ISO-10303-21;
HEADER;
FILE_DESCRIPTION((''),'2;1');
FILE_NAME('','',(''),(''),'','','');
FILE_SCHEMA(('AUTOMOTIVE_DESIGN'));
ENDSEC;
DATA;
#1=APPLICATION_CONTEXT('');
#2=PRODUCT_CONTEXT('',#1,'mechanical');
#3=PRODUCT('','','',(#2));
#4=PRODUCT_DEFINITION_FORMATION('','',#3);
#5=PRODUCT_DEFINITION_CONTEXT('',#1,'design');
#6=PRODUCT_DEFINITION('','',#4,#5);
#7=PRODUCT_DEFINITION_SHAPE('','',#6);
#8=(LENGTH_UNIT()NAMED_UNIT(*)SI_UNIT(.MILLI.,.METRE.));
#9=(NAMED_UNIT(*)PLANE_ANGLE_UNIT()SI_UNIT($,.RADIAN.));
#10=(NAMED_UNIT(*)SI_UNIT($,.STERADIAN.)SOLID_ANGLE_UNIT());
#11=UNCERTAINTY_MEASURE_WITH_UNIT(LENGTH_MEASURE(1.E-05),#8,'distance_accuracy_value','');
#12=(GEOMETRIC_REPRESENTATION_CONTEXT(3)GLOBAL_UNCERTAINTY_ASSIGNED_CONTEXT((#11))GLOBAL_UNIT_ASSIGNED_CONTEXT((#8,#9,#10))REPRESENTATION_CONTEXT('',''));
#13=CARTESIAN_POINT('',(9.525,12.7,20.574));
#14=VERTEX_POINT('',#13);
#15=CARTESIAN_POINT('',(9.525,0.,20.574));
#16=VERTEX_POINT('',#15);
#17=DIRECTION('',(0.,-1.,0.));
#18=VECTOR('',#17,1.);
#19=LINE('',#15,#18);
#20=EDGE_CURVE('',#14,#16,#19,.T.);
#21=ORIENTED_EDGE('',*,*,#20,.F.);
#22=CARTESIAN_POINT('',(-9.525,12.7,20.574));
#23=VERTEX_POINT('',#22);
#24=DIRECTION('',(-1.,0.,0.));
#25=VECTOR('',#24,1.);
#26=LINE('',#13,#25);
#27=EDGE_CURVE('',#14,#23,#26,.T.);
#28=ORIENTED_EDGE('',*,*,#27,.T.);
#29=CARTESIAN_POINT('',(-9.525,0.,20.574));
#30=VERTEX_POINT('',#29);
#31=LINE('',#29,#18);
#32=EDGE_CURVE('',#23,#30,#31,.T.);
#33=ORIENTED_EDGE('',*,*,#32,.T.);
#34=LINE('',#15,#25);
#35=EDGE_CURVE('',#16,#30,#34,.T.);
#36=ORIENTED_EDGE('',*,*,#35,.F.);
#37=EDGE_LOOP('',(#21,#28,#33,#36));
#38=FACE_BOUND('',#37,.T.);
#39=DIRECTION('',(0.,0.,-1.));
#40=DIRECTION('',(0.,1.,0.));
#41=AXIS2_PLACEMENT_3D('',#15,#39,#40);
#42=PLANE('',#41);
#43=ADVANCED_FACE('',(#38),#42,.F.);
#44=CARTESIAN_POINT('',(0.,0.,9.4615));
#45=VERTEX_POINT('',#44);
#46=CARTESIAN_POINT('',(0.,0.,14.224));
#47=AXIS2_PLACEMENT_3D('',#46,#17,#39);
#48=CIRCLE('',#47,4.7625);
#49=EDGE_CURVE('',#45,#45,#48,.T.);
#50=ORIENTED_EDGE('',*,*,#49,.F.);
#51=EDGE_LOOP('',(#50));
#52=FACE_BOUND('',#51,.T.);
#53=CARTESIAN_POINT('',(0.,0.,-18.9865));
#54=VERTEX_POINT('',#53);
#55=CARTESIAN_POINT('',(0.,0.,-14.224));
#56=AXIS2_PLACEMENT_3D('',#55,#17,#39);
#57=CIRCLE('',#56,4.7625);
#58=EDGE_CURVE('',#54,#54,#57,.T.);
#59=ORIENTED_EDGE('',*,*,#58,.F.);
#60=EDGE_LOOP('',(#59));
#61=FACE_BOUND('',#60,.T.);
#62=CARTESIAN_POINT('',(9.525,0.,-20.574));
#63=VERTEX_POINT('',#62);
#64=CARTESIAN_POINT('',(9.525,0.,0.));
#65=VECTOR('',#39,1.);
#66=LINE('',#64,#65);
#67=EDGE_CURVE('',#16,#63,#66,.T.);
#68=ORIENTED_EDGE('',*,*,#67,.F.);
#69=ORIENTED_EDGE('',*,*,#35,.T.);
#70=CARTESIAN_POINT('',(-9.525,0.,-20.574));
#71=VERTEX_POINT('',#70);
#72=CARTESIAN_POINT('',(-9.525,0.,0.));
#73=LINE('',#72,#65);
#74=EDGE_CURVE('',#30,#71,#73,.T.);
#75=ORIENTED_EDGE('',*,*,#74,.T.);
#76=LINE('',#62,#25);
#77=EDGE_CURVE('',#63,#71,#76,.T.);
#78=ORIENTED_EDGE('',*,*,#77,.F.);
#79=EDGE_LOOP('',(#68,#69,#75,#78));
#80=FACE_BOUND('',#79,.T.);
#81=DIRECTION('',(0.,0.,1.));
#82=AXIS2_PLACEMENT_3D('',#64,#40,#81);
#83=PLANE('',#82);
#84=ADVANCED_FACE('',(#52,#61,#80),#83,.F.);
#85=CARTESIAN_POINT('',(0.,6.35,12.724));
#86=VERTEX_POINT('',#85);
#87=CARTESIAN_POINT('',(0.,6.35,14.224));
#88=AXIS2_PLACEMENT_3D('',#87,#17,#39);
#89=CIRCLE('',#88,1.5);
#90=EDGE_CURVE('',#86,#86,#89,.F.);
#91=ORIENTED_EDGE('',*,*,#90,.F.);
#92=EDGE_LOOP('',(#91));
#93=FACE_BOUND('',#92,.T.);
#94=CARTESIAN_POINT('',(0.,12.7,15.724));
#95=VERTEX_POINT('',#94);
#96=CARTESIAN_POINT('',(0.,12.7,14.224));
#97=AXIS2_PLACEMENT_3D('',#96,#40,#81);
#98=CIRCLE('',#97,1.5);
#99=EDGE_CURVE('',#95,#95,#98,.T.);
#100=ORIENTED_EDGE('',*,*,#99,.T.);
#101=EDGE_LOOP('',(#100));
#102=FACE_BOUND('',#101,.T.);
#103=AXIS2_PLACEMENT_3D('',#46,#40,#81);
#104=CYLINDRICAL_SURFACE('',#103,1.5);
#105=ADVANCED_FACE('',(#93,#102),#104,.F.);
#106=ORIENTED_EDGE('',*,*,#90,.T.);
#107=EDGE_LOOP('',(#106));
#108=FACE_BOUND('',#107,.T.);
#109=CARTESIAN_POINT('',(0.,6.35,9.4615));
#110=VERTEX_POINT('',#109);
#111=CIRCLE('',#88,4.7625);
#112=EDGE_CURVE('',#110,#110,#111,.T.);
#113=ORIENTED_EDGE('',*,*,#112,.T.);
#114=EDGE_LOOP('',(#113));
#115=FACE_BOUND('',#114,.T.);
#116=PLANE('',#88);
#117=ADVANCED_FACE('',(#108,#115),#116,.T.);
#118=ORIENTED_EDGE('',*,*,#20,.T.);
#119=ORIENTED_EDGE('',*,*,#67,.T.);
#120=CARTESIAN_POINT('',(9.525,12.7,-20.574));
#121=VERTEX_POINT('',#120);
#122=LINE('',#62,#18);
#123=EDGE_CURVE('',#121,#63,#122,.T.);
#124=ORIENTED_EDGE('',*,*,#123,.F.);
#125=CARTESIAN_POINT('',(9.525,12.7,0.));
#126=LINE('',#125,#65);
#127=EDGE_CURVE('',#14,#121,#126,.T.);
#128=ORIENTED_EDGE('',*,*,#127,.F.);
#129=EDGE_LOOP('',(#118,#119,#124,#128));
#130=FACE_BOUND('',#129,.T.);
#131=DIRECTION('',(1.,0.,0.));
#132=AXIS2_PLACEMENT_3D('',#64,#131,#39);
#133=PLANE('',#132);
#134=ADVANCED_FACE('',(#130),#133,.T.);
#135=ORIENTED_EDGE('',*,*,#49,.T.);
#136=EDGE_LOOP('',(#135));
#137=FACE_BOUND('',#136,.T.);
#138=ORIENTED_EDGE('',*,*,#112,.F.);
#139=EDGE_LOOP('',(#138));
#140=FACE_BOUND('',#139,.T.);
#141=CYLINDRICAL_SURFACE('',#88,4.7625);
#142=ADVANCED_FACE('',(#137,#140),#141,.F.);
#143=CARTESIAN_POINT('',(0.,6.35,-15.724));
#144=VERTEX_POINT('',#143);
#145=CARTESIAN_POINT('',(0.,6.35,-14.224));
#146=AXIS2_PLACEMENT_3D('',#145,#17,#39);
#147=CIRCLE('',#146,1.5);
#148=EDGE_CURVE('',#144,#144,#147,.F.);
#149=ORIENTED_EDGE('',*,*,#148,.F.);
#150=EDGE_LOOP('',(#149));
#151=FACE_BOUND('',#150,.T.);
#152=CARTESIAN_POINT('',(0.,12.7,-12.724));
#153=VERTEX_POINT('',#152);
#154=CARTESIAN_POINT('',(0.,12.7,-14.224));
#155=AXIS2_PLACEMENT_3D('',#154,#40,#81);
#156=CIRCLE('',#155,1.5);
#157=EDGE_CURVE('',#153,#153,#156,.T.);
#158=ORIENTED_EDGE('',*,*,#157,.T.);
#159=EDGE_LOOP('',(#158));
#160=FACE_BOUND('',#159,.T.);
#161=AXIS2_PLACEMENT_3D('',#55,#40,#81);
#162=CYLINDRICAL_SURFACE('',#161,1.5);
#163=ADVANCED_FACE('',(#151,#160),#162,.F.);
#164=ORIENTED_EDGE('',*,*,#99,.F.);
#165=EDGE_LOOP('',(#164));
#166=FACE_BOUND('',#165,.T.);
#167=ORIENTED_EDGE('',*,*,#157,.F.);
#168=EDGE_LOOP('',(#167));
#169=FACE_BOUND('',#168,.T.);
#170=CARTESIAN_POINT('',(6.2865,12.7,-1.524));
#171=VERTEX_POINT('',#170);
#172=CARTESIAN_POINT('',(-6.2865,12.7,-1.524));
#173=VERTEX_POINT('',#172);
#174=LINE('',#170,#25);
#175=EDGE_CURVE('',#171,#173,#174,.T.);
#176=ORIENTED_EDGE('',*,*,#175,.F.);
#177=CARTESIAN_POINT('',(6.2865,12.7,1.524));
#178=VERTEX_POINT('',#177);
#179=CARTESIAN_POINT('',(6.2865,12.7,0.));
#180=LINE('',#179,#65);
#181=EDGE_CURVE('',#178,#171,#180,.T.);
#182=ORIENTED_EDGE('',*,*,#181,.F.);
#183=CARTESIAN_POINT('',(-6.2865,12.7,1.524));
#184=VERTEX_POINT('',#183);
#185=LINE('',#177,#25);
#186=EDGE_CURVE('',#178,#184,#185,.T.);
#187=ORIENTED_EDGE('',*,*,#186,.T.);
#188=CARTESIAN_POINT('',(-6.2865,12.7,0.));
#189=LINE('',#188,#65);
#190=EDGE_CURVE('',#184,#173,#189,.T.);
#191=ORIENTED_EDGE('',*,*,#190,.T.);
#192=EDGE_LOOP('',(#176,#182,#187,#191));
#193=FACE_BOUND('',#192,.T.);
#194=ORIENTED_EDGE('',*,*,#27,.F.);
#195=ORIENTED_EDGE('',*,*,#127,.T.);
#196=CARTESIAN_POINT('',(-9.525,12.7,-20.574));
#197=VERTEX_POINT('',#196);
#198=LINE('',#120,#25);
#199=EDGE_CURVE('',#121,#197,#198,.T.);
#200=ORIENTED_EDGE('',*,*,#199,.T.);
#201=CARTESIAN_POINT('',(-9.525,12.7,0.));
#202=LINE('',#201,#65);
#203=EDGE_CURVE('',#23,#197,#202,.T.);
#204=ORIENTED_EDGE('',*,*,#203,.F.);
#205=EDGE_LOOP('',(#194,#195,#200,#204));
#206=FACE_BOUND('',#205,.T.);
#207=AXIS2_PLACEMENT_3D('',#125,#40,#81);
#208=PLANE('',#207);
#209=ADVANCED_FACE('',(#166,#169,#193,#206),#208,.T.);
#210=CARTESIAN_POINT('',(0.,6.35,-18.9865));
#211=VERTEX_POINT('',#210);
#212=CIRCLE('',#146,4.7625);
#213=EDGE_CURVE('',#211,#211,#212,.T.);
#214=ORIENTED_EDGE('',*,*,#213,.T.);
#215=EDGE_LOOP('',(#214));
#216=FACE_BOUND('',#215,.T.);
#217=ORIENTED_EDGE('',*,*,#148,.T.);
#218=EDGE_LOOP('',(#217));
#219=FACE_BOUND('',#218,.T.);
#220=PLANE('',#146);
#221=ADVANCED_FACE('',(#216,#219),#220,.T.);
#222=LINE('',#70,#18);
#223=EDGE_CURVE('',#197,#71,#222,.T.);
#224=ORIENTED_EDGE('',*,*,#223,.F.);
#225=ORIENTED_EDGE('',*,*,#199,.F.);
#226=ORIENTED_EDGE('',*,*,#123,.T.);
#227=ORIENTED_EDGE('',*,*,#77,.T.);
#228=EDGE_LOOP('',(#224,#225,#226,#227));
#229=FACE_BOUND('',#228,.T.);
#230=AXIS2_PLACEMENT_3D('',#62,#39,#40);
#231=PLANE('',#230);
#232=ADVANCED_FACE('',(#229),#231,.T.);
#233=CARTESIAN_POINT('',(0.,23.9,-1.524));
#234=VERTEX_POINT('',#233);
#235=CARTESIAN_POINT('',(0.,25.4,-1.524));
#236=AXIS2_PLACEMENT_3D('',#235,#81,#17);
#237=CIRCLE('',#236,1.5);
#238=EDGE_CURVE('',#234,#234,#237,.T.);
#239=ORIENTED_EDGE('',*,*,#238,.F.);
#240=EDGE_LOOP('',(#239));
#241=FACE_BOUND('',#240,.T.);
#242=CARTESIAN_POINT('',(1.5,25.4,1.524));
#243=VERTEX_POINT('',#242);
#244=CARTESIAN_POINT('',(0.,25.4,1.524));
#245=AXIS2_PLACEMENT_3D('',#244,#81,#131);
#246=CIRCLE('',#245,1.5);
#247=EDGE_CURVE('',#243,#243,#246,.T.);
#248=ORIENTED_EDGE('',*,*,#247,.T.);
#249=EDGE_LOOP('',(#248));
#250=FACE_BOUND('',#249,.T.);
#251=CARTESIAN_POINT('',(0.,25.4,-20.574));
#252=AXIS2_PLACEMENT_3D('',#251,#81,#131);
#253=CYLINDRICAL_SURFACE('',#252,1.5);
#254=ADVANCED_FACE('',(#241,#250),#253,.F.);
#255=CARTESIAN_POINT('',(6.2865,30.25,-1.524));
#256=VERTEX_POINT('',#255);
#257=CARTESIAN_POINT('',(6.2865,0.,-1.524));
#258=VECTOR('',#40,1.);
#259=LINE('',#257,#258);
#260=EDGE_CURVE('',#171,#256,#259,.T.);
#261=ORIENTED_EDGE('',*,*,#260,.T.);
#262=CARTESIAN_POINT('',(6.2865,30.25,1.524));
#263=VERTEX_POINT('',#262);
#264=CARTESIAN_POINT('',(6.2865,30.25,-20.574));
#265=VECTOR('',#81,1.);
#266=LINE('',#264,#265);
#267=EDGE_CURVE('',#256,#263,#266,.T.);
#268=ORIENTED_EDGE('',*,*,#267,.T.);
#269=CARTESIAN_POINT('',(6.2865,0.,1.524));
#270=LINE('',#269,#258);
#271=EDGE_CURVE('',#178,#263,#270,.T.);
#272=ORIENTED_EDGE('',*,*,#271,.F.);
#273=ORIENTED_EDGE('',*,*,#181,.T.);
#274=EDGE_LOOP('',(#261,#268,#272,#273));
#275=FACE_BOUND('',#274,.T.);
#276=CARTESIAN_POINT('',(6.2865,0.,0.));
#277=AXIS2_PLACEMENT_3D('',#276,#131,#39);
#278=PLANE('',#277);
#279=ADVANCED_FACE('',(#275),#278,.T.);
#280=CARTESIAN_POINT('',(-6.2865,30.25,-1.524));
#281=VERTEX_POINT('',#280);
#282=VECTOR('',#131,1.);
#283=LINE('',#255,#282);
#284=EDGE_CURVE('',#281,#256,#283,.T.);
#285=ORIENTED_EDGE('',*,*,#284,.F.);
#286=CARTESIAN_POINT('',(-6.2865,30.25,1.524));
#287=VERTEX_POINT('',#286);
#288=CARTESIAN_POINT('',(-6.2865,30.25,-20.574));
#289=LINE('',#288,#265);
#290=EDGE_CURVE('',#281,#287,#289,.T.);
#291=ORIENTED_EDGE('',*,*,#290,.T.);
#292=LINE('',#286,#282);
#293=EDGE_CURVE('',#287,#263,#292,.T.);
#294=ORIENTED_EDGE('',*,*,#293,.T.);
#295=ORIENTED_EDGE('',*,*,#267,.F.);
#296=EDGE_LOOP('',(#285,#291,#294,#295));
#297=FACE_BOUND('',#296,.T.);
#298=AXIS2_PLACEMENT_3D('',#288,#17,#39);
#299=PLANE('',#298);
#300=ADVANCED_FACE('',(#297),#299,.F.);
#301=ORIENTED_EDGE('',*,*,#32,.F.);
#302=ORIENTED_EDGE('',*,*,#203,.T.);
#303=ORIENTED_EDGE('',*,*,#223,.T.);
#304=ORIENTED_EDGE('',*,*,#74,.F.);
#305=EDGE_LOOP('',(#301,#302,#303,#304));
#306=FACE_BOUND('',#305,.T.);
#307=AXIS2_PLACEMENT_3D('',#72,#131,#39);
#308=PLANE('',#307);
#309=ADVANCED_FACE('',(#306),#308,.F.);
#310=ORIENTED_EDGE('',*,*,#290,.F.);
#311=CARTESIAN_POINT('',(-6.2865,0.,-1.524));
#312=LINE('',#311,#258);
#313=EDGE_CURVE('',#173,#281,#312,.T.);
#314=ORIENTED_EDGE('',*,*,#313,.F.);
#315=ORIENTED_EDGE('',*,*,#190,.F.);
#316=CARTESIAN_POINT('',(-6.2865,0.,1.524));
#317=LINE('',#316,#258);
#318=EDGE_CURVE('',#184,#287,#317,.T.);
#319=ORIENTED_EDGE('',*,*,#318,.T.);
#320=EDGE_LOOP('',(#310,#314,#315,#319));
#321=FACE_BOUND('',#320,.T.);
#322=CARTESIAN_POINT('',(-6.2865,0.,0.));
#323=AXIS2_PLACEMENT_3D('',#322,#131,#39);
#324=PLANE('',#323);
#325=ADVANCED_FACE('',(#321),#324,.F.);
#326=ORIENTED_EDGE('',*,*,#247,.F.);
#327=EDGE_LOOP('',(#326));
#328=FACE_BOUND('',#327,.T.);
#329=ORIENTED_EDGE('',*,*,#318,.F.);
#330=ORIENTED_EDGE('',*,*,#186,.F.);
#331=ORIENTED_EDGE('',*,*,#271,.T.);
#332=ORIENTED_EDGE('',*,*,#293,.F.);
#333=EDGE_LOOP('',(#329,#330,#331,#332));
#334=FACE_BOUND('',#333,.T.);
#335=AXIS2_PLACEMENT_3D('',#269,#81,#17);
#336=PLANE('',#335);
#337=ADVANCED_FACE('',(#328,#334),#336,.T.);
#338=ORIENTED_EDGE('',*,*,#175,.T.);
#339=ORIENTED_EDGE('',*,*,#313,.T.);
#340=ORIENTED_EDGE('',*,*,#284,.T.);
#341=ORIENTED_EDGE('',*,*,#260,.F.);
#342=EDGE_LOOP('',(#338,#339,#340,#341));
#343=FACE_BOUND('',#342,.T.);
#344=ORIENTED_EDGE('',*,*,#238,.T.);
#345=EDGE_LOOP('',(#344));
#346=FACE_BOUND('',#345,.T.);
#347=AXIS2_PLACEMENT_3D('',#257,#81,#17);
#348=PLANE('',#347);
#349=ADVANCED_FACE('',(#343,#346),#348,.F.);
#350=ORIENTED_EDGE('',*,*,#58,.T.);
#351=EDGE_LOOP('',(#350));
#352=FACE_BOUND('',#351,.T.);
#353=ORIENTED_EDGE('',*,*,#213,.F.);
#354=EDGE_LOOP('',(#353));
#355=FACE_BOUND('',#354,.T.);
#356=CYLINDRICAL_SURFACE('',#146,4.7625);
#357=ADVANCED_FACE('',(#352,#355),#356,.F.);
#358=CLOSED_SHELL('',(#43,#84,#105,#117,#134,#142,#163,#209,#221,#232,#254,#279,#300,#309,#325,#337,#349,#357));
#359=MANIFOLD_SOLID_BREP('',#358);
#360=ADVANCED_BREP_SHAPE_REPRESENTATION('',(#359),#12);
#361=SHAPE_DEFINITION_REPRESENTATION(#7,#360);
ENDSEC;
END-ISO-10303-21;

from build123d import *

# Parameters (mm, degrees)
BOSS_EXTRUDE1_DEPTH = 9.525
SKETCH1_3_W         = 3.048
SKETCH1_3_H         = 25.4
BOSS_EXTRUDE2_DEPTH = 6.2865
SKETCH2_R           = 1.5
CUT_EXTRUDE1_DEPTH  = 46.06281426
SKETCH3_W           = 12.573
SKETCH3_H           = 7.85
CUT_EXTRUDE2_DEPTH  = 46.06281426
SKETCH4_R           = 1.5
CUT_EXTRUDE3_DEPTH  = 29.670849325
SKETCH5_R           = 4.7625
CUT_EXTRUDE4_DEPTH  = 6.35


with BuildPart() as part:
    # Sketch1 → Boss-Extrude1 (new, symmetric)
    with BuildSketch(Plane(origin=(0, 0, 0), x_dir=(0, 0, -1), z_dir=(1, 0, 0))):
        Polygon((-1.524, 12.7), (-20.574, 12.7), (-20.574, 0), (20.574, 0), (20.574, 12.7), (1.524, 12.7), align=None)
    extrude(amount=BOSS_EXTRUDE1_DEPTH, both=True)

    # Sketch1<3> → Boss-Extrude2 (add, symmetric)
    with BuildSketch(Plane(origin=(0, 0, 0), x_dir=(0, 0, -1), z_dir=(1, 0, 0))):
        with Locations((0, 25.4)):
            Rectangle(SKETCH1_3_W, SKETCH1_3_H)
    extrude(amount=BOSS_EXTRUDE2_DEPTH, both=True)

    # Sketch2 → Cut-Extrude1 (cut, through all)
    with BuildSketch(Plane.XY.offset(1.524)):
        with Locations((0, 25.4)):
            Circle(SKETCH2_R)
        with Locations((0, 31.75)):
            Circle(SKETCH2_R)
    extrude(amount=-CUT_EXTRUDE1_DEPTH, mode=Mode.SUBTRACT)

    # Sketch3 → Cut-Extrude2 (cut, through all)
    with BuildSketch(Plane.XY.offset(1.524)):
        with Locations((0, 34.175)):
            Rectangle(SKETCH3_W, SKETCH3_H)
    extrude(amount=-CUT_EXTRUDE2_DEPTH, mode=Mode.SUBTRACT)

    # Sketch4 → Cut-Extrude3 (cut, through all)
    with BuildSketch(Plane(origin=(0, 12.7, 0), x_dir=(1, 0, 0), z_dir=(0, 1, 0))):
        with Locations((0, -14.224)):
            Circle(SKETCH4_R)
        with Locations((0, 14.224)):
            Circle(SKETCH4_R)
    extrude(amount=-CUT_EXTRUDE3_DEPTH, mode=Mode.SUBTRACT)

    # Sketch5 → Cut-Extrude4 (cut)
    with BuildSketch(Plane.XZ):
        with Locations((0, 14.224)):
            Circle(SKETCH5_R)
        with Locations((0, -14.224)):
            Circle(SKETCH5_R)
    extrude(amount=-CUT_EXTRUDE4_DEPTH, mode=Mode.SUBTRACT)


solid = part.part
